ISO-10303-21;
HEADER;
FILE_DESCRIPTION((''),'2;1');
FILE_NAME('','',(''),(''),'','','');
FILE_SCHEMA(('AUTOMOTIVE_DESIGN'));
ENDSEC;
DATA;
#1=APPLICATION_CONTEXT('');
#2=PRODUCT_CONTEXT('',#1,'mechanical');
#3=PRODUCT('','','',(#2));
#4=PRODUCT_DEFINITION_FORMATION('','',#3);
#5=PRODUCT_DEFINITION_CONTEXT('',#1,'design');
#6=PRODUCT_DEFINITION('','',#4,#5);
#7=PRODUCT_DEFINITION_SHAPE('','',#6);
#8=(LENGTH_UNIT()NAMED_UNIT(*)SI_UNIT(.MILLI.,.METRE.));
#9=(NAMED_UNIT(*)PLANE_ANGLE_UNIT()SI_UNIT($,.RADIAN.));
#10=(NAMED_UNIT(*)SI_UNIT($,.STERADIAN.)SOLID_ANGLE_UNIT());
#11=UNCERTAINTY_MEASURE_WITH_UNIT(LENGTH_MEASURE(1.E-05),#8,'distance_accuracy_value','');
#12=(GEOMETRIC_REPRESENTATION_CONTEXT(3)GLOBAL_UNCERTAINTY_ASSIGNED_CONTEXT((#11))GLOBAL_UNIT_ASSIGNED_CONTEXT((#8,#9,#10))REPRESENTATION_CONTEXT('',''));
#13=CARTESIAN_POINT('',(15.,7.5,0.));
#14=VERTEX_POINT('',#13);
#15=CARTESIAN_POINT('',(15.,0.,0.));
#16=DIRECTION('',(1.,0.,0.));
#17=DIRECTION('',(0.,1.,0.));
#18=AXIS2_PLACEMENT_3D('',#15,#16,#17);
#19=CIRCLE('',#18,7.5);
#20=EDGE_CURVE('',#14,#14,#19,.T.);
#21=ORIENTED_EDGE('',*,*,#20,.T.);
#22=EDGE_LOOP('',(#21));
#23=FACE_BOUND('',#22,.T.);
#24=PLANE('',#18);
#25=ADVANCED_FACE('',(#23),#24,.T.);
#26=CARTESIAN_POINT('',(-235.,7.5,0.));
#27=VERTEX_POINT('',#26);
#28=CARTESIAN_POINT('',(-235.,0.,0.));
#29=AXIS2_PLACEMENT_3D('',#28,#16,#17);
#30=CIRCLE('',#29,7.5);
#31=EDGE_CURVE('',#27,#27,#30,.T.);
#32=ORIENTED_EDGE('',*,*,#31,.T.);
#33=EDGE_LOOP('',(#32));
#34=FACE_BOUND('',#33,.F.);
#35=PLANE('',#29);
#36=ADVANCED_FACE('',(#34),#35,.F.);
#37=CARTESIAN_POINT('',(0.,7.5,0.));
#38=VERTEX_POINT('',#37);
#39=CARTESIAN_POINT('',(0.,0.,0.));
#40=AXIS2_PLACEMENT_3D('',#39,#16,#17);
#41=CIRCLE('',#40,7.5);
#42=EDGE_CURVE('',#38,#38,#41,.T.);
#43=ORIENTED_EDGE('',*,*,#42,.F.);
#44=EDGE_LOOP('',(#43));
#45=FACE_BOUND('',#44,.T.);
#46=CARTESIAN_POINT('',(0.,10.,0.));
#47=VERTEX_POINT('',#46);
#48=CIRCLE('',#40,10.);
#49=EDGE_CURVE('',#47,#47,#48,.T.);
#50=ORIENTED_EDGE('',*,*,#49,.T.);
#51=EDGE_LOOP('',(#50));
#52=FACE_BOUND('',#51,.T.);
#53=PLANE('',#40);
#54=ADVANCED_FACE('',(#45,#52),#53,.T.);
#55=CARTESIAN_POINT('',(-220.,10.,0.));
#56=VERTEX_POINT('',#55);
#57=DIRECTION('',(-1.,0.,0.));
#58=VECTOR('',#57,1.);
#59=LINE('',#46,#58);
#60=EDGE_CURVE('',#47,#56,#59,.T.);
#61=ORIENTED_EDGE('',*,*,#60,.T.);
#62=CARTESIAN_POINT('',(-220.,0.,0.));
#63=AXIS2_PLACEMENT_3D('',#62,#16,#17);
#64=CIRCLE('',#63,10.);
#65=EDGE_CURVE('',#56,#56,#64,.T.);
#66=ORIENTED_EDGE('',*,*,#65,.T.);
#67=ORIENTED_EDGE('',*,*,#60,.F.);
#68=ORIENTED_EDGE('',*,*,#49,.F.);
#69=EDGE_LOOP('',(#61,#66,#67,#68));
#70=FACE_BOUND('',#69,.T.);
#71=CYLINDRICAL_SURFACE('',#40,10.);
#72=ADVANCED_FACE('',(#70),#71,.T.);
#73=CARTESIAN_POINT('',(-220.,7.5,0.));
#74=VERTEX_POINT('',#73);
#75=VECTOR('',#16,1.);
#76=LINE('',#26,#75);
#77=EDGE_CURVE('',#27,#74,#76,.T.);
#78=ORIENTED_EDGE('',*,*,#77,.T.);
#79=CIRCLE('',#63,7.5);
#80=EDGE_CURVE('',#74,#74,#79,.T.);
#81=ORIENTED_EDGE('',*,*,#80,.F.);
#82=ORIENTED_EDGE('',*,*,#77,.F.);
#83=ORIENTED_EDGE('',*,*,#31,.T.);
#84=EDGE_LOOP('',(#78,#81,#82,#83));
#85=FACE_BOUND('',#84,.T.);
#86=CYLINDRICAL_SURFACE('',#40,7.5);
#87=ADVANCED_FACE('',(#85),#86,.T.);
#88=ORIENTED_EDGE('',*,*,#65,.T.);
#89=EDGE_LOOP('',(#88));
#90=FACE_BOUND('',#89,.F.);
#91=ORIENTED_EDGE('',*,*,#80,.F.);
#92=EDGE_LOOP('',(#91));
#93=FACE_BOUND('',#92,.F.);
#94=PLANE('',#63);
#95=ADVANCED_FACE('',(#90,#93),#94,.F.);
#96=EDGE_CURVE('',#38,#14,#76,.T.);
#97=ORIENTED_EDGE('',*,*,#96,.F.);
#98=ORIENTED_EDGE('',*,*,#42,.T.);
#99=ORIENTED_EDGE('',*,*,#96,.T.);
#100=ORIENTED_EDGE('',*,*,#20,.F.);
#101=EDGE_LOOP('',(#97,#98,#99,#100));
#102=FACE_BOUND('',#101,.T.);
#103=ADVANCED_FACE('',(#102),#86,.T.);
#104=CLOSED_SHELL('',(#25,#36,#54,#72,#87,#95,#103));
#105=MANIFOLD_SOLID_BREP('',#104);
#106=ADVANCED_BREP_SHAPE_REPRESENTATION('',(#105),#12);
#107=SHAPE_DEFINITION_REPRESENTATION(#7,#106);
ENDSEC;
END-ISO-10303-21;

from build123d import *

# Parameters (mm, degrees)
F0_R          = 7.5
F1_DEPTH      = 15
F1_DEPTH_BACK = 235
F0_R_2        = 10
F2_DEPTH      = 220


with BuildPart() as f1:
    # F0 (on Right) → F1 (new body, two sides)
    with BuildSketch(Plane.YZ) as f1_sk:
        Circle(F0_R)
    extrude(amount=F1_DEPTH)
    extrude(f1_sk.sketch, amount=-F1_DEPTH_BACK)

    # F0 (on Right) → F2 (join)
    with BuildSketch(Plane.YZ):
        Circle(F0_R_2)
        Circle(F0_R, mode=Mode.SUBTRACT)
    extrude(amount=-F2_DEPTH)


solid = f1.part
